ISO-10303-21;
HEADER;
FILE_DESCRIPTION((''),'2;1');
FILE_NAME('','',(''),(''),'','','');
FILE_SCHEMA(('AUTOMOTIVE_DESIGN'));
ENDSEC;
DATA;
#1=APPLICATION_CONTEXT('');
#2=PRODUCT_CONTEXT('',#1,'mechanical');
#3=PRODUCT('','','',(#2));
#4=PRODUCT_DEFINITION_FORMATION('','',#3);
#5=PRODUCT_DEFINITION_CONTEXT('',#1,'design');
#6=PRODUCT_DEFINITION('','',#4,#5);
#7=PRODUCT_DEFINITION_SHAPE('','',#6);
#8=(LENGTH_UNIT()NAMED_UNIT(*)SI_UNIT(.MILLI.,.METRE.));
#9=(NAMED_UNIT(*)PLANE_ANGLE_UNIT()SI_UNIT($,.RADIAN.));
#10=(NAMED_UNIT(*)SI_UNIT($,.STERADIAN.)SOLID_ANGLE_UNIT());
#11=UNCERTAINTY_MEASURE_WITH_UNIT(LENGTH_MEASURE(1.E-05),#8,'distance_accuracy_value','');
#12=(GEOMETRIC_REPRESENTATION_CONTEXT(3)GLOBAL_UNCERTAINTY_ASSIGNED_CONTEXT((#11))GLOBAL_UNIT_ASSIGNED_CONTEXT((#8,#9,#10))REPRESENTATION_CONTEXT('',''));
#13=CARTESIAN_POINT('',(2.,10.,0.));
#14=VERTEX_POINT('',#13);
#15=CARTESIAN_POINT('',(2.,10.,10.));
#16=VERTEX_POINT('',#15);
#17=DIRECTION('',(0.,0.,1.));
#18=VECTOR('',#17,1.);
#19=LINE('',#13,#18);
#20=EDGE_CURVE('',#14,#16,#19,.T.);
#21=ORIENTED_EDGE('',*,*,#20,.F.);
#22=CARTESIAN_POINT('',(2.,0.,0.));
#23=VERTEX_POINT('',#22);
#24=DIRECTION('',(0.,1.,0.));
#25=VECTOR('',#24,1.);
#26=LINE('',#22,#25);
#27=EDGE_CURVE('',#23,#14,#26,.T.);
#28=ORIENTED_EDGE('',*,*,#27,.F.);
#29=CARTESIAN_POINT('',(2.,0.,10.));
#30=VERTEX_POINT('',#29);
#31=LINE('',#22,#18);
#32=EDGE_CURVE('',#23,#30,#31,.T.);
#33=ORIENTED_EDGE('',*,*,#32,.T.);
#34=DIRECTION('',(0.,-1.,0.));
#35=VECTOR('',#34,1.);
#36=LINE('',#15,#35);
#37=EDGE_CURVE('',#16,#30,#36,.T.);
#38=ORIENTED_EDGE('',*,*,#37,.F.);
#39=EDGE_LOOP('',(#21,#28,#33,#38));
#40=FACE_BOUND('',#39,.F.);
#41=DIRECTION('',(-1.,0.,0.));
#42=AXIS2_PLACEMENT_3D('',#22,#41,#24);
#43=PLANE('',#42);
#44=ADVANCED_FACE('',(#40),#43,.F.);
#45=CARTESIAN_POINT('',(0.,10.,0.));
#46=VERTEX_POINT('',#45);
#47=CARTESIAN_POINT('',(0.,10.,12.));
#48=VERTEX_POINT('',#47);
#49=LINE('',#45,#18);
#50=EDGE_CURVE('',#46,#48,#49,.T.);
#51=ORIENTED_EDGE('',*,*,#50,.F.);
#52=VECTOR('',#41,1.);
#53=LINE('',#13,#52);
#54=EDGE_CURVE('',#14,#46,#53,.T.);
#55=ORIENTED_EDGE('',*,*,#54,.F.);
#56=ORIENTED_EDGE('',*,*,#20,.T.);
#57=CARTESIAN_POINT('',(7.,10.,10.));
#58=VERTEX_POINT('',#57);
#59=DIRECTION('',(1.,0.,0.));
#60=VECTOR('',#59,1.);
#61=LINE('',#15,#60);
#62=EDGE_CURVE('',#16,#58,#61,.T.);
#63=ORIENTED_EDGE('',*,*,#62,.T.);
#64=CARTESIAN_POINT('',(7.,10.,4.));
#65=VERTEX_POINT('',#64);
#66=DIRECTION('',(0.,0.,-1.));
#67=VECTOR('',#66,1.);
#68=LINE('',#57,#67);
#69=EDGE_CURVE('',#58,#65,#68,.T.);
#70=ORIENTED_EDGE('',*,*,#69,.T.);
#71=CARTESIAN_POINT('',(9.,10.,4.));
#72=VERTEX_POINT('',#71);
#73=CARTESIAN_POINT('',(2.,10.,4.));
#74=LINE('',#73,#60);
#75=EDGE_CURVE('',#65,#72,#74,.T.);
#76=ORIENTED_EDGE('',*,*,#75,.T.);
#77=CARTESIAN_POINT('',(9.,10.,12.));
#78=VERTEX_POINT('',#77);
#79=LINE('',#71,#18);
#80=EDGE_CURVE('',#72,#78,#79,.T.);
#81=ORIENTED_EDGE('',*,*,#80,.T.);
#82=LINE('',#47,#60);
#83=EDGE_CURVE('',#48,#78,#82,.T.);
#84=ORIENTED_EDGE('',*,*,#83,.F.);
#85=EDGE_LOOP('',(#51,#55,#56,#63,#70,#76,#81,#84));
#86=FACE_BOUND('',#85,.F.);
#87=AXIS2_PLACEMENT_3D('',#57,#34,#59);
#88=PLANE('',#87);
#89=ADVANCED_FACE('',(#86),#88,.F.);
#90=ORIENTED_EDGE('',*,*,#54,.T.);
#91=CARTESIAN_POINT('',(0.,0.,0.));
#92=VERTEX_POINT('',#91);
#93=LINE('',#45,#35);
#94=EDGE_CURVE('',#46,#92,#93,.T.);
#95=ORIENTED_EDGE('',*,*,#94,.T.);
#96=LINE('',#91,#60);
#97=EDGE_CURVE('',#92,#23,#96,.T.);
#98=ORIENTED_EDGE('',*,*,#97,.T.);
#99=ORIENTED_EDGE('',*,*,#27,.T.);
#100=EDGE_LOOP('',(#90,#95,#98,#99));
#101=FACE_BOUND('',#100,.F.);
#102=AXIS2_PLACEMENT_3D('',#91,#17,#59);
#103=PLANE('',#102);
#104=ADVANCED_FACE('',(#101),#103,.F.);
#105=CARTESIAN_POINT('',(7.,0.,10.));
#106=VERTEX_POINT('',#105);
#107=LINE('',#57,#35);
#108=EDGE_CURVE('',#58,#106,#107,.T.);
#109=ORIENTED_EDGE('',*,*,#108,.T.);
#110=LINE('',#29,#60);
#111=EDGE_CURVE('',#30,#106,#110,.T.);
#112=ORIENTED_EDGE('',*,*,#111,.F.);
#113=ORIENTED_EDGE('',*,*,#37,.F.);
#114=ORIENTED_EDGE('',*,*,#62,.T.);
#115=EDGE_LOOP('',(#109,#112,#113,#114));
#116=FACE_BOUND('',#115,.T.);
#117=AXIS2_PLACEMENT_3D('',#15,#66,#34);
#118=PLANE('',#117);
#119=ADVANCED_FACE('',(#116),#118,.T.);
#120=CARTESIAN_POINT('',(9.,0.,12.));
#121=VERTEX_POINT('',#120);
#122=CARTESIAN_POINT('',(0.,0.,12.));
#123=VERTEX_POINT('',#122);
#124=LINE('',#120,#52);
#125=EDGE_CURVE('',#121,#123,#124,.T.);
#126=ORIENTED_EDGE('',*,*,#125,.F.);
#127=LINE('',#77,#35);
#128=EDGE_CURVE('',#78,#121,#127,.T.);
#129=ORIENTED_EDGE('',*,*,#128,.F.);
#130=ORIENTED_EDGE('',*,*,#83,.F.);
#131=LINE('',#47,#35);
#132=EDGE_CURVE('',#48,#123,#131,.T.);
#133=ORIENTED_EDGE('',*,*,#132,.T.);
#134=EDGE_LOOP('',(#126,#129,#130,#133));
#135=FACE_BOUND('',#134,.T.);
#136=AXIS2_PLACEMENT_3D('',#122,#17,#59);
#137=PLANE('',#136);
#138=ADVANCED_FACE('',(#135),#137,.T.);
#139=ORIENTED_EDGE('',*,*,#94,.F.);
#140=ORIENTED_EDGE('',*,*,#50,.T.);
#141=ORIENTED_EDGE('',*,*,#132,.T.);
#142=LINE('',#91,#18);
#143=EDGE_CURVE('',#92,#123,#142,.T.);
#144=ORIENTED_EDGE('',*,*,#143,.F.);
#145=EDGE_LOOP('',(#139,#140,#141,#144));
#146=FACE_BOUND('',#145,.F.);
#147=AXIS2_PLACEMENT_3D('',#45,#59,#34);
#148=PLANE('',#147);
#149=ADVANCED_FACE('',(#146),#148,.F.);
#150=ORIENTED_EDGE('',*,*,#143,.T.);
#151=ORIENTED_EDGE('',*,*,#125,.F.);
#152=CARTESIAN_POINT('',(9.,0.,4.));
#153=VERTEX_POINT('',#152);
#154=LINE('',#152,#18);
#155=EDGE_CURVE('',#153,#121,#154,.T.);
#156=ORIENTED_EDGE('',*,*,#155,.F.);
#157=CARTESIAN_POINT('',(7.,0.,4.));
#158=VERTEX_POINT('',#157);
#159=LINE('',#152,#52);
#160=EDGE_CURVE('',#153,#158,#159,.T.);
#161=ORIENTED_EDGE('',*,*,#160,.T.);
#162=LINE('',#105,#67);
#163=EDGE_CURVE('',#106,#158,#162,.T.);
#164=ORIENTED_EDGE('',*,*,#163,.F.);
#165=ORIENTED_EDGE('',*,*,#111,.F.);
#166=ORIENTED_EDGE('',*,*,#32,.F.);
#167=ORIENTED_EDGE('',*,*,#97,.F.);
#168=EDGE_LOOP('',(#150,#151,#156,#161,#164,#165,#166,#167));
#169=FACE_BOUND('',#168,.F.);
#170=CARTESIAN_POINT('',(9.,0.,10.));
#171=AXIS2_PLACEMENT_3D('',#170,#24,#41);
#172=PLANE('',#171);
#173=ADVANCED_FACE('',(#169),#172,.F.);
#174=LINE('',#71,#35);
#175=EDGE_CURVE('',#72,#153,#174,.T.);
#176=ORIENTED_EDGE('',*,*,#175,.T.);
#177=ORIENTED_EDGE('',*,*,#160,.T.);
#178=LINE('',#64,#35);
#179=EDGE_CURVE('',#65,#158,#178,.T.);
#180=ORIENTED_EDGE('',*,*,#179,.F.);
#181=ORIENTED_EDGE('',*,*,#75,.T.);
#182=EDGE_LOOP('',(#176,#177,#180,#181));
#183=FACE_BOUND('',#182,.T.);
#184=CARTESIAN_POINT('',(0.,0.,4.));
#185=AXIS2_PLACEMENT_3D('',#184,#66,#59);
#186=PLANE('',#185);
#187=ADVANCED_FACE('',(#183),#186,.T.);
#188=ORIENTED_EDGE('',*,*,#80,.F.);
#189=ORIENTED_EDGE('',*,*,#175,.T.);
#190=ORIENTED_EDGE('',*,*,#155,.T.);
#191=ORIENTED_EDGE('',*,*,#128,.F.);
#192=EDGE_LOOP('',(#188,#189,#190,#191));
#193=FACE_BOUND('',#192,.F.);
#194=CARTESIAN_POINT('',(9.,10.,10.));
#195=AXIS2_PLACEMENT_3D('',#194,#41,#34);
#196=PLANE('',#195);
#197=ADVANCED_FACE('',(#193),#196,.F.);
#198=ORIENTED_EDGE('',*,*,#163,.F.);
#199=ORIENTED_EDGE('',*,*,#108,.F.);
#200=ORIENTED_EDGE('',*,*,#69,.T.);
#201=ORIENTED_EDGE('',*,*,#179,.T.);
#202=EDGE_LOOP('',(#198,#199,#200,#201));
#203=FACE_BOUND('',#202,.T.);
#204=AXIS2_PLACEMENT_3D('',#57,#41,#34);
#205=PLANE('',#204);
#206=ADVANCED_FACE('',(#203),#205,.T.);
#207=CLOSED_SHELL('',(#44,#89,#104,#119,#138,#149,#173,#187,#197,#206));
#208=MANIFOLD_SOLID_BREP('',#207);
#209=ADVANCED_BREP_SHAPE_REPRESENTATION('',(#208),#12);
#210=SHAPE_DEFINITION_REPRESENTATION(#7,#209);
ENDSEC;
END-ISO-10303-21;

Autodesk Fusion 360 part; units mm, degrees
sketch "Sketch1" plane through (0, 0, 0) normal (0, 0, 1) x (1, 0, 0)
  line L0 (0, 0) -> (2, 0)
  line L1 (2, 0) -> (2, 10)
  line L2 (2, 10) -> (0, 10)
  line L3 (0, 10) -> (0, 0)
  dimension "d4" = 10
  dimension "d5" = 2
extrude "Extrude1" add sketch "Sketch1" along normal blind 12
sketch "Sketch2" plane through (2, 0, 0) normal (1, 0, 0) x (0, 1, 0)
  line L0 (0, 0) -> (10, 0)
  line L1 (10, 0) -> (10, 12)
  line L2 (10, 12) -> (0, 12)
  line L3 (0, 12) -> (0, 0)
  line L4 (0, 12) -> (10, 12)
  line L5 (10, 12) -> (10, 10)
  line L6 (10, 10) -> (0, 10)
  line L7 (0, 10) -> (0, 12)
  dimension "d8" = 2
extrude "Extrude2" add sketch "Sketch2" along normal blind 7 contours L1 L2 L3 L4 L5 L6 L7
sketch "Sketch3" plane through (0, 0, 10) normal (0, 0, -1) x (1, 0, 0)
  line L0 (2, 0) -> (2, -10)
  line L1 (2, -10) -> (9, -10)
  line L2 (9, -10) -> (9, 0)
  line L3 (9, 0) -> (2, 0)
  line L4 (9, -10) -> (7, -10)
  line L5 (7, -10) -> (7, 0)
  line L6 (7, 0) -> (9, 0)
  line L7 (9, 0) -> (9, -10)
  dimension "d11" = 2
extrude "Extrude3" add sketch "Sketch3" along normal blind 6 contours L1 L2 L3 L4 L5 L6 L7
equation "width = 10 mm"
equation "length = 2 mm"
equation "height = 12 mm"
equation "d4 = width"
equation "d5 = length"
equation "d6 = height"
